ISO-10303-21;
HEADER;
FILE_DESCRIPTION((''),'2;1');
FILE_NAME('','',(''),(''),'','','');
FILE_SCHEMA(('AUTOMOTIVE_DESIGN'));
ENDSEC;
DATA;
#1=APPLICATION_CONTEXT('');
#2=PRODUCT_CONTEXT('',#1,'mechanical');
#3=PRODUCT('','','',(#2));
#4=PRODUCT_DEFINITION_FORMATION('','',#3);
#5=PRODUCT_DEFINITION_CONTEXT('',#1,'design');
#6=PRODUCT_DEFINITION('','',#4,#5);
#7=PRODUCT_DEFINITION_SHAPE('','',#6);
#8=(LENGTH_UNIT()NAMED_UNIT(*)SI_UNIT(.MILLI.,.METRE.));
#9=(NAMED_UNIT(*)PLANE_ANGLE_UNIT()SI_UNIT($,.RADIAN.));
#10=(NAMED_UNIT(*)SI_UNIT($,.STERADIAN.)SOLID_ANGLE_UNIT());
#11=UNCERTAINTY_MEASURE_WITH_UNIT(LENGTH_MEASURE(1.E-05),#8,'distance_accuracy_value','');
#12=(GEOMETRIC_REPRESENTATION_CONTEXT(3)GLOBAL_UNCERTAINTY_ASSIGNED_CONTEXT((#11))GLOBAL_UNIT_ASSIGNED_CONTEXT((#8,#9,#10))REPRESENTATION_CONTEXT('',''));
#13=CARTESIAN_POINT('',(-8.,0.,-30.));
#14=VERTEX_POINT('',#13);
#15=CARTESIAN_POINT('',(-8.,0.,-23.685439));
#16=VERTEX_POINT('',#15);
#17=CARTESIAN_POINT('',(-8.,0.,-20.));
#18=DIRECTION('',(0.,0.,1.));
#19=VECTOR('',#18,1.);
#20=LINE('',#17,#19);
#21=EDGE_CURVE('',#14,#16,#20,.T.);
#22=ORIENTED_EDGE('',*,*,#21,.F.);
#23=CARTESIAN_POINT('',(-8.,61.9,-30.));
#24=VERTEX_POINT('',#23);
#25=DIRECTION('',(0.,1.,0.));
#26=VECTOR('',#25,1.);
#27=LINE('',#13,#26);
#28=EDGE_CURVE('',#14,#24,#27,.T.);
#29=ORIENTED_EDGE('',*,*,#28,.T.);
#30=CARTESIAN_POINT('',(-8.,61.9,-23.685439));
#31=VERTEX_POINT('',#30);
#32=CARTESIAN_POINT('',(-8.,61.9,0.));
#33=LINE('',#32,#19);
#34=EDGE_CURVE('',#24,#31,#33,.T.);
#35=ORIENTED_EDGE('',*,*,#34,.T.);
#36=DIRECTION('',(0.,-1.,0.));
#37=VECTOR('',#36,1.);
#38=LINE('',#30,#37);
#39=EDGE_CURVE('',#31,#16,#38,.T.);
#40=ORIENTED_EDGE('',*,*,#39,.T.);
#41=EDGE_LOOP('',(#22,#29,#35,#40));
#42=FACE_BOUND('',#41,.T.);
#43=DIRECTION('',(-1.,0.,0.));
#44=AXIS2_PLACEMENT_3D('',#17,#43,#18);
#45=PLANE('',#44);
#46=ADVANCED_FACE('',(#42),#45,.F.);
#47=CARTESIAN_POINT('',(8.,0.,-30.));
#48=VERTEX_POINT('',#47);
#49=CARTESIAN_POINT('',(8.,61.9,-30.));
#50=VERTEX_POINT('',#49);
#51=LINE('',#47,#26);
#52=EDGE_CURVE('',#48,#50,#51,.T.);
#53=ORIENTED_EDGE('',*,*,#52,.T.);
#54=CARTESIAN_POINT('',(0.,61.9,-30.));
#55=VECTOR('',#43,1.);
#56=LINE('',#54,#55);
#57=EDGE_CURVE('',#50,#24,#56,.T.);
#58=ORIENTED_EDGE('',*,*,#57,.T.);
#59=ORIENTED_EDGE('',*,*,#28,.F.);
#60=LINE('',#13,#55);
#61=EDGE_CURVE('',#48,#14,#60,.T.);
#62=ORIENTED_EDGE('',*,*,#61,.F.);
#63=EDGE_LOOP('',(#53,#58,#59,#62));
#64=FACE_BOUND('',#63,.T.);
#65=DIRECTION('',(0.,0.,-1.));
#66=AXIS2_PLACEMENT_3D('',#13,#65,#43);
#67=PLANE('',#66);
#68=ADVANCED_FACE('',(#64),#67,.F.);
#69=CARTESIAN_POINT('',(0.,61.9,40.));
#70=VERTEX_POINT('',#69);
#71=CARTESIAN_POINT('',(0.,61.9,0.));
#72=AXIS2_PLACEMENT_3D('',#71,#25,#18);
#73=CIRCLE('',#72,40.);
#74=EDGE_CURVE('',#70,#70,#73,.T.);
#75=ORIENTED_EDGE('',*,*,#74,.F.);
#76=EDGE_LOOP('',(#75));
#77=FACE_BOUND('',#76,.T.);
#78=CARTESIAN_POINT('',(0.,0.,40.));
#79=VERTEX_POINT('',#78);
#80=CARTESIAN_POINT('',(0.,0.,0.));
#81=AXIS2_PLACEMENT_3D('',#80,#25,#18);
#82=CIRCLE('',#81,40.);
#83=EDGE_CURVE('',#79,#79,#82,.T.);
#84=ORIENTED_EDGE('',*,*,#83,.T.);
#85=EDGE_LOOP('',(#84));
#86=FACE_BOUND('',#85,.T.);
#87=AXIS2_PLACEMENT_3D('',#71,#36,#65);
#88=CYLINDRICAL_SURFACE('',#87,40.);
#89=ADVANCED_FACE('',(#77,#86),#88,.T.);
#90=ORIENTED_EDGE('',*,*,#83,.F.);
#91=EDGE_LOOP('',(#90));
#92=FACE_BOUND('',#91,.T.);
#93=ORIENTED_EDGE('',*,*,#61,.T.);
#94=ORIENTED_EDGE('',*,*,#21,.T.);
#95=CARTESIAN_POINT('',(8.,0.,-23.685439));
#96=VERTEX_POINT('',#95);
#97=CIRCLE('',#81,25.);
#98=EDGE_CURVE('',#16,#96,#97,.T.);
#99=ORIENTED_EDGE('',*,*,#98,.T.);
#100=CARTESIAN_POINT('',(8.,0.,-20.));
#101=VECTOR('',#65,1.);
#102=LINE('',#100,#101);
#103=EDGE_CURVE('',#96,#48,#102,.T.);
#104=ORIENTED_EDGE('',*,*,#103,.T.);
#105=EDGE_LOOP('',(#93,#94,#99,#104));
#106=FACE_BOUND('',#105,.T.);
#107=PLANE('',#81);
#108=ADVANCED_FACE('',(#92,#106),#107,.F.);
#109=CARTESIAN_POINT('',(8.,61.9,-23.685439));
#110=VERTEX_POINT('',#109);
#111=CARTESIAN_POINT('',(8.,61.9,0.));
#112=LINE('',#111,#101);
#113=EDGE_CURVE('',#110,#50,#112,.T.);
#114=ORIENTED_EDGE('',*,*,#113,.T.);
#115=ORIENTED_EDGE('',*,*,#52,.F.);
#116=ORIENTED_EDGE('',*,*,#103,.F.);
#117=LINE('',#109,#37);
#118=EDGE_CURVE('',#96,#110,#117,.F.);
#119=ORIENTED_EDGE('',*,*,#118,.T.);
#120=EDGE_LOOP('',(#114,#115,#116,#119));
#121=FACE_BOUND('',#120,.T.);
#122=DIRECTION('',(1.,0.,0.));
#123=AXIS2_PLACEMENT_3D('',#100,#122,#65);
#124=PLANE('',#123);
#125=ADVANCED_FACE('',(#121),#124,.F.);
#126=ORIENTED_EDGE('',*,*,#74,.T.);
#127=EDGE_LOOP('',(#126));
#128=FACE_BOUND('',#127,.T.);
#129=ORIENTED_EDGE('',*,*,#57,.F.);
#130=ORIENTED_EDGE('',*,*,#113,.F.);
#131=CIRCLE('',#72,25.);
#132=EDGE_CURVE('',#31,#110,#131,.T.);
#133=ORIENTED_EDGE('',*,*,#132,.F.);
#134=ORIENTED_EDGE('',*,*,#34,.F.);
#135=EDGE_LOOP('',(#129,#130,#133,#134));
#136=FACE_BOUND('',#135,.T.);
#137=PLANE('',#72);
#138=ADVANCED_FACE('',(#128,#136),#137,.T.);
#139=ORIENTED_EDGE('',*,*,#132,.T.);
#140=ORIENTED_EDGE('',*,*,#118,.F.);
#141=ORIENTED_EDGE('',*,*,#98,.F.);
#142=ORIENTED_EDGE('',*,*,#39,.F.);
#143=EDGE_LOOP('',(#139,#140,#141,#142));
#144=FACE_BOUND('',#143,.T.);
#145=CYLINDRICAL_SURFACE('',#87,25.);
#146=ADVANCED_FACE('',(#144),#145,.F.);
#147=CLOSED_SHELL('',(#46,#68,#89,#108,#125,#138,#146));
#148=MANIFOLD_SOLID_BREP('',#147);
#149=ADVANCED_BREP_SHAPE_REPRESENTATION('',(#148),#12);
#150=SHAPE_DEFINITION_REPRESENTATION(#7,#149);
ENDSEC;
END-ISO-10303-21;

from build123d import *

# Parameters (mm, degrees)
SKETCH1_R               = 40
SKETCH1_R_2             = 25
BOSS_EXTRUDE1_DEPTH     = 61.9
CUT_EXTRUDE1_DEPTH      = 84.854695754
CUT_EXTRUDE1_DEPTH_BACK = 84.854695754
SKETCH2_W               = 16
SKETCH2_H               = 10


with BuildPart() as part:
    # Sketch1 → Boss-Extrude1 (new body)
    with BuildSketch(Plane(origin=(0, 0, 0), x_dir=(1, 0, 0), z_dir=(0, 1, 0))):
        with Locations(Location((0, 0, 0), (0, 0, 270))):
            Circle(SKETCH1_R)
        with Locations(Location((0, 0, 0), (0, 0, 270))):
            Circle(SKETCH1_R_2, mode=Mode.SUBTRACT)
    extrude(amount=BOSS_EXTRUDE1_DEPTH)

    # Sketch2 → Cut-Extrude1 (cut, two sides: drawn at the far end of the back side and taken through both)
    with BuildSketch(Plane(origin=(0, 61.9, 0), x_dir=(1, 0, 0), z_dir=(0, 1, 0)).offset(-CUT_EXTRUDE1_DEPTH_BACK)):
        with Locations((0, 25)):
            Rectangle(SKETCH2_W, SKETCH2_H)
    extrude(amount=CUT_EXTRUDE1_DEPTH + CUT_EXTRUDE1_DEPTH_BACK, mode=Mode.SUBTRACT)


solid = part.part
